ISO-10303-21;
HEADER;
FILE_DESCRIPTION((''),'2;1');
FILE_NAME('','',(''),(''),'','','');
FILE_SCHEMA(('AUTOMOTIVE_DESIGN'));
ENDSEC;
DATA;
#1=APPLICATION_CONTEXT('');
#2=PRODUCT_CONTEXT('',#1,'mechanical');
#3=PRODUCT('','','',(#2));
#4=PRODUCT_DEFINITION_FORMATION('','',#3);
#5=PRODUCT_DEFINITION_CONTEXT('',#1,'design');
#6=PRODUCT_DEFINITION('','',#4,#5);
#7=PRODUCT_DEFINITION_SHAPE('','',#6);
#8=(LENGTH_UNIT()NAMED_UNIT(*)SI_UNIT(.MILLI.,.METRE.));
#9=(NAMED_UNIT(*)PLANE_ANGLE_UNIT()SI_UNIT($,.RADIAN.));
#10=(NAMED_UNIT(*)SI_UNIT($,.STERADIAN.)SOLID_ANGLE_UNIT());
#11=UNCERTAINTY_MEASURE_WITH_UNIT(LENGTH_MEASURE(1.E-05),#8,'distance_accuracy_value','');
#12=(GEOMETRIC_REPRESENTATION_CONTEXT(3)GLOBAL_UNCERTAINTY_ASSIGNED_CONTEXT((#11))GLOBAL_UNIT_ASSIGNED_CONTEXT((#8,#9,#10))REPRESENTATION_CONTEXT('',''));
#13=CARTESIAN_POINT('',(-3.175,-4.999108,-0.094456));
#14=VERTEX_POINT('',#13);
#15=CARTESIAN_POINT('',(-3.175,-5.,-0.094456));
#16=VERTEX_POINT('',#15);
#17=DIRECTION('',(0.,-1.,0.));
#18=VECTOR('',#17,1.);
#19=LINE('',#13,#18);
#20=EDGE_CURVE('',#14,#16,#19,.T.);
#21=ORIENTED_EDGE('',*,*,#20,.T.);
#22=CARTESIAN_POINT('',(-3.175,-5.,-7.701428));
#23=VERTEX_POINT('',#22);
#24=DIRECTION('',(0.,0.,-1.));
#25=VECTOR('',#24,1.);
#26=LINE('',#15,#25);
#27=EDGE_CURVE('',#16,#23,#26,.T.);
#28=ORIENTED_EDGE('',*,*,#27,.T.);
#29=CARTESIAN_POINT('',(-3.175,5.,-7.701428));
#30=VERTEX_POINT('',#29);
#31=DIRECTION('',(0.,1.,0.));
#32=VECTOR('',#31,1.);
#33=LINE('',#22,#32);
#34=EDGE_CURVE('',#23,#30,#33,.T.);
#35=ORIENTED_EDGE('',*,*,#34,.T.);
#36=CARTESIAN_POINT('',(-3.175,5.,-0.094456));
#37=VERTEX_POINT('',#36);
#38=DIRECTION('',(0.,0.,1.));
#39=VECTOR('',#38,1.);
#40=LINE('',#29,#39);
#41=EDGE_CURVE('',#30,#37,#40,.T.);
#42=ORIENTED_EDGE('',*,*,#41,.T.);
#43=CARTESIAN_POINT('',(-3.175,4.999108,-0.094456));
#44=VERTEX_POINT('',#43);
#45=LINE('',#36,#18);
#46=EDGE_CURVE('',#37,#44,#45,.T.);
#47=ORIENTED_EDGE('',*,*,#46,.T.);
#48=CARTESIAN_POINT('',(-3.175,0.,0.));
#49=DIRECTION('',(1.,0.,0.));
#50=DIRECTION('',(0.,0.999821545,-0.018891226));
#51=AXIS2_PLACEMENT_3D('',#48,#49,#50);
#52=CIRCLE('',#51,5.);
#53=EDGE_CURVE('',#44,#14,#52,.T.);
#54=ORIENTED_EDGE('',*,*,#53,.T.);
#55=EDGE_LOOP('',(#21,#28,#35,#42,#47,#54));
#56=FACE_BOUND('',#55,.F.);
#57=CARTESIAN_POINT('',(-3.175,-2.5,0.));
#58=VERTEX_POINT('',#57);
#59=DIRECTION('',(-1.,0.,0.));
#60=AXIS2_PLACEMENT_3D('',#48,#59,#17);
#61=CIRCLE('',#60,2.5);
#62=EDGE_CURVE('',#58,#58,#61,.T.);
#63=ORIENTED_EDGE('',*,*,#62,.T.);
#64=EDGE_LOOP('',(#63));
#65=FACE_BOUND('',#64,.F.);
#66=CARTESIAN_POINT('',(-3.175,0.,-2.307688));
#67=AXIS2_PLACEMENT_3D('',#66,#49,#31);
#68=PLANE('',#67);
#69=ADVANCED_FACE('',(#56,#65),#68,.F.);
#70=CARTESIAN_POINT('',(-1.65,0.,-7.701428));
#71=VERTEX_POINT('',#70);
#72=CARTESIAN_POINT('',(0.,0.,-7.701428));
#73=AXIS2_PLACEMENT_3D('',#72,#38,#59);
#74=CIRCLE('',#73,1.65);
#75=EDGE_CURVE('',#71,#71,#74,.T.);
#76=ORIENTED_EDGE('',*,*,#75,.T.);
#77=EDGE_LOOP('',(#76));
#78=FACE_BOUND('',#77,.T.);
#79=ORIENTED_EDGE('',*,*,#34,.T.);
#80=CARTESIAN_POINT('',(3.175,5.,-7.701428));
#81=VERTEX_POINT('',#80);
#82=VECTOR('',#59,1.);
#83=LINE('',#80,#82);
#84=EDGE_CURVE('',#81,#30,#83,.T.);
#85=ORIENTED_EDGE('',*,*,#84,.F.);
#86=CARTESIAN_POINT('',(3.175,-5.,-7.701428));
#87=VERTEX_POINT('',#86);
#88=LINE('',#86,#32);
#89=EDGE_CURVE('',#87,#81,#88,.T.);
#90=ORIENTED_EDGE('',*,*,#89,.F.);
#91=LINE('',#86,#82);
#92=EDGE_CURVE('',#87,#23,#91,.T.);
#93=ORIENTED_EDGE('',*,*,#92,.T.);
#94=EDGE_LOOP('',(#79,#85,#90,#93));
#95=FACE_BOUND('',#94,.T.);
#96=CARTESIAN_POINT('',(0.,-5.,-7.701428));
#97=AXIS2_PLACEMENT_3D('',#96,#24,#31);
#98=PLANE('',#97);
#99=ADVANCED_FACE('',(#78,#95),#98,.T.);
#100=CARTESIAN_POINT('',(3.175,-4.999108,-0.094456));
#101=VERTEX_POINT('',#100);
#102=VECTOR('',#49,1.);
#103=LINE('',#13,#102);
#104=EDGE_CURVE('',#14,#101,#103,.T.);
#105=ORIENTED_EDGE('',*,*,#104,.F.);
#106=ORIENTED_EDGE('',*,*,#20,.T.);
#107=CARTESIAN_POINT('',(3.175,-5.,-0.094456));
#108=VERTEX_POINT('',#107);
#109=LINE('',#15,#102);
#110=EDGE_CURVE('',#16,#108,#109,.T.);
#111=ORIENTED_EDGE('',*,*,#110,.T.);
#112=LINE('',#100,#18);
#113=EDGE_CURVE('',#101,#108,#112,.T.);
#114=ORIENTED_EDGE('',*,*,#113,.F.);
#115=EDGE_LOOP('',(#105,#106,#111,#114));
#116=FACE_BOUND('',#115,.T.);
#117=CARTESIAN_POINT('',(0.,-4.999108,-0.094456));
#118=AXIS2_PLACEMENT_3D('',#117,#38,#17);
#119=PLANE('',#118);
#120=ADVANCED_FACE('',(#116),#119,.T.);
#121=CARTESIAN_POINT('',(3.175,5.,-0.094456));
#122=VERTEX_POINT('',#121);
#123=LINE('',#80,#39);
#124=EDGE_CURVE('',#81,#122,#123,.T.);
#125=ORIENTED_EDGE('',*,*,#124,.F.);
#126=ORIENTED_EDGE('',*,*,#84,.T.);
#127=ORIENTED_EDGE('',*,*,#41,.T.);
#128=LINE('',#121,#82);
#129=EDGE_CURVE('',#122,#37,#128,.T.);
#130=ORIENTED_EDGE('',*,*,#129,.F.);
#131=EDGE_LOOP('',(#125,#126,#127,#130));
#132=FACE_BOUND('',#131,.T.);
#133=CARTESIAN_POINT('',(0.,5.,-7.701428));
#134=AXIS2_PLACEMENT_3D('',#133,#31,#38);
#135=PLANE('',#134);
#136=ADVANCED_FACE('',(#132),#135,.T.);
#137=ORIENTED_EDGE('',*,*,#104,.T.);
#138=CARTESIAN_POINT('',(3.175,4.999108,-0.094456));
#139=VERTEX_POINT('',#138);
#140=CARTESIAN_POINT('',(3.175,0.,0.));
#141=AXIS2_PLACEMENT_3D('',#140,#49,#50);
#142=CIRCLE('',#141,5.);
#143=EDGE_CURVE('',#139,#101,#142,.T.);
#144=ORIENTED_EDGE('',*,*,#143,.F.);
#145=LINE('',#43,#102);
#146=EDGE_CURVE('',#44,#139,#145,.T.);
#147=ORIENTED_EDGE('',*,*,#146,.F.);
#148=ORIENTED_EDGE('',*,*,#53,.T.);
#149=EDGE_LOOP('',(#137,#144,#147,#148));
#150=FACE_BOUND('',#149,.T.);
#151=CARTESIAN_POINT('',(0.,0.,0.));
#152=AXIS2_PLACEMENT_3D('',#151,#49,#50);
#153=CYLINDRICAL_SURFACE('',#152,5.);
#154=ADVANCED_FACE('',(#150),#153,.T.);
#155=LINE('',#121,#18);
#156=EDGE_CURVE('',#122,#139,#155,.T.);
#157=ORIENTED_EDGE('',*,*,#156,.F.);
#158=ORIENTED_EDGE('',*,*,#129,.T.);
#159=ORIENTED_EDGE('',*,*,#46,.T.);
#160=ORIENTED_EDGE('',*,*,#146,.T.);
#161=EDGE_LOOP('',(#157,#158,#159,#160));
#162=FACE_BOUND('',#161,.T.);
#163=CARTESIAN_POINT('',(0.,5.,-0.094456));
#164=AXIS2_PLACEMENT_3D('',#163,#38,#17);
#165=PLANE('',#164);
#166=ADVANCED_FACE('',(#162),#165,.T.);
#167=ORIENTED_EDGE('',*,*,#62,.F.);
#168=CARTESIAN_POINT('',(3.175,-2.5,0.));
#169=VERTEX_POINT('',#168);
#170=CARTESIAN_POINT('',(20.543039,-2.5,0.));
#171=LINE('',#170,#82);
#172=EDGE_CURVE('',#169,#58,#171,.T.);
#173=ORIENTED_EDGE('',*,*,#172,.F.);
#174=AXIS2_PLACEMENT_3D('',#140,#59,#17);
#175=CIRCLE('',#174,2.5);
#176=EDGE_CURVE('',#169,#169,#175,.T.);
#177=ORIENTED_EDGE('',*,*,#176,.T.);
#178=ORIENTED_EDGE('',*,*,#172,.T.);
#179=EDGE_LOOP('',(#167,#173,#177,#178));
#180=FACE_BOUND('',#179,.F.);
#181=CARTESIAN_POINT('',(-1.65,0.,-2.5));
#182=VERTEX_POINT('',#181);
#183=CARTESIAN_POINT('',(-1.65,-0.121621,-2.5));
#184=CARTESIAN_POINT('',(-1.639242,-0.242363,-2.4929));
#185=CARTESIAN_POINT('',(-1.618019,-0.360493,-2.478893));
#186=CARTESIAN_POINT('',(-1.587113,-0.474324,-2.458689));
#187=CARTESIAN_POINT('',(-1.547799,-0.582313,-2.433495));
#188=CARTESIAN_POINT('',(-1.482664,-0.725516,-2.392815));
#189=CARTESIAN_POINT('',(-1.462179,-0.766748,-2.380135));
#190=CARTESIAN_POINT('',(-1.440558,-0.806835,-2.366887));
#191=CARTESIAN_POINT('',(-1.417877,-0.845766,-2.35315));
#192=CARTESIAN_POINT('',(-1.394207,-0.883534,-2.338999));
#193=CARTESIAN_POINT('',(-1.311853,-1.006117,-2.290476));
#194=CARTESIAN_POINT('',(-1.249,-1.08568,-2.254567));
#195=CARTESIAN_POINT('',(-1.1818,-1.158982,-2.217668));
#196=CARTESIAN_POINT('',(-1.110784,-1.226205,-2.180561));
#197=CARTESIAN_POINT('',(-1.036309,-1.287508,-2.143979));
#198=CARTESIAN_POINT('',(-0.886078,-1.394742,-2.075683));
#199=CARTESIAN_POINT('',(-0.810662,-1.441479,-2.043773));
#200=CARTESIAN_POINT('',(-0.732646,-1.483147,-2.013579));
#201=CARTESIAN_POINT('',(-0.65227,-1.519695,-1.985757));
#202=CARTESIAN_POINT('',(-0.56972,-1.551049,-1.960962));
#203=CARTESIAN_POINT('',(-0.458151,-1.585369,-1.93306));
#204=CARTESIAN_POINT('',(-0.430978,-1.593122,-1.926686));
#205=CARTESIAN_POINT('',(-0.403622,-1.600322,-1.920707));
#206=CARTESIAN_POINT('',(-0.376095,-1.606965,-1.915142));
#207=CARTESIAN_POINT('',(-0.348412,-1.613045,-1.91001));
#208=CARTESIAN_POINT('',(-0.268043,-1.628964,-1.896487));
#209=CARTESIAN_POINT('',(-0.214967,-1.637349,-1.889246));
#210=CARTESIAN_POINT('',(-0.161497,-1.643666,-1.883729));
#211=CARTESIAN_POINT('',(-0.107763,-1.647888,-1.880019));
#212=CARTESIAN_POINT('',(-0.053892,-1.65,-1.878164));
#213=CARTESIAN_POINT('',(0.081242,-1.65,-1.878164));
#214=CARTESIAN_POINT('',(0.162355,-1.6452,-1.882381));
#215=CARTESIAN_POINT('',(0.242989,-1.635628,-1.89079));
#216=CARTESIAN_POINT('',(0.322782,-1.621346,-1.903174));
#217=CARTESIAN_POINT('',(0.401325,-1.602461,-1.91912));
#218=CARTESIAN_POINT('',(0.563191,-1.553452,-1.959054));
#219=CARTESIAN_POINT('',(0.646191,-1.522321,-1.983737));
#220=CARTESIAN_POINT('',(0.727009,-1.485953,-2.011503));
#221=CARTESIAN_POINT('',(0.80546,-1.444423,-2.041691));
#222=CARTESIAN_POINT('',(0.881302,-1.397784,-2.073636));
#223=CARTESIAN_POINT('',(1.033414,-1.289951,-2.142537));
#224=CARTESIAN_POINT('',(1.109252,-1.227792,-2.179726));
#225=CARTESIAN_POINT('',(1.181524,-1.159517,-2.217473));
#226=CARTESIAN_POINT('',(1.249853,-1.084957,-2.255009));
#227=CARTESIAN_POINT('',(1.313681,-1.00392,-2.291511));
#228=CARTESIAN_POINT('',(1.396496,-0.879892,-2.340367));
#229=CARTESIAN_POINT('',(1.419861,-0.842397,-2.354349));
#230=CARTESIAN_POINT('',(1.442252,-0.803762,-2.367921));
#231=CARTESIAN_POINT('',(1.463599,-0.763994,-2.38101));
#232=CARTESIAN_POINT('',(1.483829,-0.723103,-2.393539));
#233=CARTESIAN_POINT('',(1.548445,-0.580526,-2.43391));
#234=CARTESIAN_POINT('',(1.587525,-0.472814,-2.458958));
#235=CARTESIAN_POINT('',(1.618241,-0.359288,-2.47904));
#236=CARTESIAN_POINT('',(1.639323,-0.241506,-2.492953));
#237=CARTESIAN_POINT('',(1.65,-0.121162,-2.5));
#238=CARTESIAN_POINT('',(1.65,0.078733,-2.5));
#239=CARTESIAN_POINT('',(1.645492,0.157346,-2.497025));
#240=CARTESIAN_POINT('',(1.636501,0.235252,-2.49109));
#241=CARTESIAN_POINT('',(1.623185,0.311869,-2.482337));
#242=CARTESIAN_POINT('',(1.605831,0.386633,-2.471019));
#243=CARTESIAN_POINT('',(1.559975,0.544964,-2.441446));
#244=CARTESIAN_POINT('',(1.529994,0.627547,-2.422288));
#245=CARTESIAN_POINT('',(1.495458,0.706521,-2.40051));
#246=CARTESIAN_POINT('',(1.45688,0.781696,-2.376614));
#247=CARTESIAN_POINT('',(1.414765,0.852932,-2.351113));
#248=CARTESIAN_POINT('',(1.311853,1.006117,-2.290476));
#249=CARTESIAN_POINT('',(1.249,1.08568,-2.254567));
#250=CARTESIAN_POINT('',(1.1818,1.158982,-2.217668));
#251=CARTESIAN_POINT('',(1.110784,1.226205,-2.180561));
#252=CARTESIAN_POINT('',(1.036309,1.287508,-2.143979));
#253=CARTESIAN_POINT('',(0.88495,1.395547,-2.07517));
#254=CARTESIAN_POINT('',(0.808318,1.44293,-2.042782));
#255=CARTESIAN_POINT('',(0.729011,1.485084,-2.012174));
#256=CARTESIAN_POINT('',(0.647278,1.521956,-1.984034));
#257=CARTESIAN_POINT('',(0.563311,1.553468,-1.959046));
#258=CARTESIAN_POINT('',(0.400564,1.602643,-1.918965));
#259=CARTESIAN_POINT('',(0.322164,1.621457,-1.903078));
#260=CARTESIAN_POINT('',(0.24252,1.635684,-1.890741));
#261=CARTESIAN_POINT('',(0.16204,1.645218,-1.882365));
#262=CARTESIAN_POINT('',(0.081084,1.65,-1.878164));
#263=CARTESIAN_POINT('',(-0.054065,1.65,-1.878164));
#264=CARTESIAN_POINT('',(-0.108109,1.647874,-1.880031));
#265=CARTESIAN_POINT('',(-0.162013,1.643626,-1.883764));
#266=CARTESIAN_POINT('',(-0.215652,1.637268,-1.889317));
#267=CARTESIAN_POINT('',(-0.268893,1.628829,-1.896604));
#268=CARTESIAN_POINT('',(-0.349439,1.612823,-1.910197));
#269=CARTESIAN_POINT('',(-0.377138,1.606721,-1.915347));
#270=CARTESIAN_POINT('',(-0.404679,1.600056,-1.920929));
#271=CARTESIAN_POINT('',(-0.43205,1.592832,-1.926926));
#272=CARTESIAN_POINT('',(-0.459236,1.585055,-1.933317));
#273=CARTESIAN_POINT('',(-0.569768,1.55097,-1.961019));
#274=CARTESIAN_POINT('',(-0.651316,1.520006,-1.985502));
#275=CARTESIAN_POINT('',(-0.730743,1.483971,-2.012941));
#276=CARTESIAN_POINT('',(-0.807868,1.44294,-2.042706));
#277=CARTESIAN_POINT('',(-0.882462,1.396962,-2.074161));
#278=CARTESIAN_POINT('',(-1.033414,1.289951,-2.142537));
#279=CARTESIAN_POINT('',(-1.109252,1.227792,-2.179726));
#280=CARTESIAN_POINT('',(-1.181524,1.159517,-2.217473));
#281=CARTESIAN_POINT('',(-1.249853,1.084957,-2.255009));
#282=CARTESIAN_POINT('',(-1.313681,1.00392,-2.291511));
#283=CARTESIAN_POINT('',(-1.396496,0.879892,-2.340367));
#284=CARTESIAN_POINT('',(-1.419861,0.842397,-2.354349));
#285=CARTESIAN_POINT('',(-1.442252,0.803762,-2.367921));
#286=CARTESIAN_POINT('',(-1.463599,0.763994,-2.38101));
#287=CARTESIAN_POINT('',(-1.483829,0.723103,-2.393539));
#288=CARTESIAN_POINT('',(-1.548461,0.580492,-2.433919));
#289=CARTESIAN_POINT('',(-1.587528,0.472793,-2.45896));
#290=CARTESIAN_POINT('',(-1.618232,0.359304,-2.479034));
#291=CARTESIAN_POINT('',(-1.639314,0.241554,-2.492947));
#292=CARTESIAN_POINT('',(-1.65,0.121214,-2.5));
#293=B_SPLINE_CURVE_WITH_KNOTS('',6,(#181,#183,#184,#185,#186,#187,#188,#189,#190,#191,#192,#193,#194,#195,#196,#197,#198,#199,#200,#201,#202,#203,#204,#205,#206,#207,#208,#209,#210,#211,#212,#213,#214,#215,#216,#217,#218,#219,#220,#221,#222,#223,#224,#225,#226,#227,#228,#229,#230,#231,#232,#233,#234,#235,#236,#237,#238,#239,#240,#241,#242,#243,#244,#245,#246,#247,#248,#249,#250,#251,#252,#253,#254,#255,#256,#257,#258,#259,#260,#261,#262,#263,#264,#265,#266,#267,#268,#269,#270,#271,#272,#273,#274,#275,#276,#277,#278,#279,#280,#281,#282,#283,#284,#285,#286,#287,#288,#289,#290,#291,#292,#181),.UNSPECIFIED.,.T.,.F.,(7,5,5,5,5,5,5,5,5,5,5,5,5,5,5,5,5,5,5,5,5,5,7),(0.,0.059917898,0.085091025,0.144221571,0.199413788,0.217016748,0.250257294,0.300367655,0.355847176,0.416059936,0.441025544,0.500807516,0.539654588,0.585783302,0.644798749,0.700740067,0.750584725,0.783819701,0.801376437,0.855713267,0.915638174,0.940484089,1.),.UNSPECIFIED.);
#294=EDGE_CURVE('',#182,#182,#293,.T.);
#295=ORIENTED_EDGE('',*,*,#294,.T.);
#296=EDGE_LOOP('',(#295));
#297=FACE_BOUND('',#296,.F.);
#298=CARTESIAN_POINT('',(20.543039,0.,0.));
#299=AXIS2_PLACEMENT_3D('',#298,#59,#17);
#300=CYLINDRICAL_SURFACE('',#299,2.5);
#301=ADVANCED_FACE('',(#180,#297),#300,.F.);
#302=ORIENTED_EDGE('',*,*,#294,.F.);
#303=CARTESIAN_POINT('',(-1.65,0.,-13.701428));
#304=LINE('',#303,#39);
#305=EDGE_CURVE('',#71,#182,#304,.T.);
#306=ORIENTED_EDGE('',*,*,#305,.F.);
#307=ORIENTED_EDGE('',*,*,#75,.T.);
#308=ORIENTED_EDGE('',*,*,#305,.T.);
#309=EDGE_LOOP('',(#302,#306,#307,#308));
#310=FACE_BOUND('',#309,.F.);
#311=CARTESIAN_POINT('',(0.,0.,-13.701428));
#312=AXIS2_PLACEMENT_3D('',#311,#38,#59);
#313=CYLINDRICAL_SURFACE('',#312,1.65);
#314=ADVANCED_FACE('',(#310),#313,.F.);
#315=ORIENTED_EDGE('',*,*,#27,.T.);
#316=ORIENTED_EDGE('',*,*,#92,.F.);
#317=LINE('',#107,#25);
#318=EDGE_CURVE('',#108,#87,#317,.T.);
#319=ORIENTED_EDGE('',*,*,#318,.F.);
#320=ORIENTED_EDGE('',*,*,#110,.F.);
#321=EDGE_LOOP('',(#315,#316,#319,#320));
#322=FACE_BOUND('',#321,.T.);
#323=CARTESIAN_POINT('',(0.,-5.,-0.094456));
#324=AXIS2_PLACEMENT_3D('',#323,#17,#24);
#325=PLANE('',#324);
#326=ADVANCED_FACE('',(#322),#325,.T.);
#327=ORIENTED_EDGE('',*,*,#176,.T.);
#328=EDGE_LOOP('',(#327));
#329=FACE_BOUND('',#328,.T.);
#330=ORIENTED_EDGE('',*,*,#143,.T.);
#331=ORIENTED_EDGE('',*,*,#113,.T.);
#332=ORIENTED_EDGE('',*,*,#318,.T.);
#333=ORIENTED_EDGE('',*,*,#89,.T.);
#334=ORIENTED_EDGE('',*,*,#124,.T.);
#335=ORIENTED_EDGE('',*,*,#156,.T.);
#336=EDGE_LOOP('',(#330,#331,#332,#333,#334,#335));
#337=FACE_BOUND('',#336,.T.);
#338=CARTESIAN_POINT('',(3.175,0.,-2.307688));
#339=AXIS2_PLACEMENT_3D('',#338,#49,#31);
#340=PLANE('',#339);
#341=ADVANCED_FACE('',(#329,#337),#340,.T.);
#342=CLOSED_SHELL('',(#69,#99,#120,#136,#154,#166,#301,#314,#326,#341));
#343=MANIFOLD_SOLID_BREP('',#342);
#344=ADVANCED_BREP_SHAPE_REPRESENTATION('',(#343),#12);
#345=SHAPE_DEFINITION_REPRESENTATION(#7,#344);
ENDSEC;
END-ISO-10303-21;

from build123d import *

# Parameters (mm, degrees)
F1_DEPTH = 3.175
F3_D     = 5
F5_D     = 3.3
F5_DEPTH = 6
F5_TIP   = 0.9914200214


with BuildPart() as f1:
    # F0 (on Right) → F1 (new body, symmetric)
    with BuildSketch(Plane.YZ):
        with BuildLine():
            Line((5, -0.0944561325), (4.9991077243, -0.0944561325))
            ThreePointArc((4.9991077243, -0.0944561325), (0, 5), (-4.9991077243, -0.0944561325))
            Line((-4.9991077243, -0.0944561325), (-5, -0.0944561325))
            Line((-5, -0.0944561325), (-5, -7.7014281414))
            Line((-5, -7.7014281414), (5, -7.7014281414))
            Line((5, -7.7014281414), (5, -0.0944561325))
        make_face()
    extrude(amount=F1_DEPTH, both=True)

    # F3 (through all)
    with Locations(Plane.YZ.offset(3.175)):
        with Locations((0, 0)):
            Hole(F3_D / 2)

    # F5
    with Locations(Plane(origin=(0, 0, -7.7014281414), x_dir=(1, 0, 0), z_dir=(0, 0, -1))):
        with Locations((0, 0)):
            Hole(F5_D / 2, depth=F5_DEPTH)
            with Locations((0, 0, -(F5_DEPTH + F5_TIP / 2))):  # 118° drill point
                Cone(0, F5_D / 2, F5_TIP, mode=Mode.SUBTRACT)


solid = f1.part
